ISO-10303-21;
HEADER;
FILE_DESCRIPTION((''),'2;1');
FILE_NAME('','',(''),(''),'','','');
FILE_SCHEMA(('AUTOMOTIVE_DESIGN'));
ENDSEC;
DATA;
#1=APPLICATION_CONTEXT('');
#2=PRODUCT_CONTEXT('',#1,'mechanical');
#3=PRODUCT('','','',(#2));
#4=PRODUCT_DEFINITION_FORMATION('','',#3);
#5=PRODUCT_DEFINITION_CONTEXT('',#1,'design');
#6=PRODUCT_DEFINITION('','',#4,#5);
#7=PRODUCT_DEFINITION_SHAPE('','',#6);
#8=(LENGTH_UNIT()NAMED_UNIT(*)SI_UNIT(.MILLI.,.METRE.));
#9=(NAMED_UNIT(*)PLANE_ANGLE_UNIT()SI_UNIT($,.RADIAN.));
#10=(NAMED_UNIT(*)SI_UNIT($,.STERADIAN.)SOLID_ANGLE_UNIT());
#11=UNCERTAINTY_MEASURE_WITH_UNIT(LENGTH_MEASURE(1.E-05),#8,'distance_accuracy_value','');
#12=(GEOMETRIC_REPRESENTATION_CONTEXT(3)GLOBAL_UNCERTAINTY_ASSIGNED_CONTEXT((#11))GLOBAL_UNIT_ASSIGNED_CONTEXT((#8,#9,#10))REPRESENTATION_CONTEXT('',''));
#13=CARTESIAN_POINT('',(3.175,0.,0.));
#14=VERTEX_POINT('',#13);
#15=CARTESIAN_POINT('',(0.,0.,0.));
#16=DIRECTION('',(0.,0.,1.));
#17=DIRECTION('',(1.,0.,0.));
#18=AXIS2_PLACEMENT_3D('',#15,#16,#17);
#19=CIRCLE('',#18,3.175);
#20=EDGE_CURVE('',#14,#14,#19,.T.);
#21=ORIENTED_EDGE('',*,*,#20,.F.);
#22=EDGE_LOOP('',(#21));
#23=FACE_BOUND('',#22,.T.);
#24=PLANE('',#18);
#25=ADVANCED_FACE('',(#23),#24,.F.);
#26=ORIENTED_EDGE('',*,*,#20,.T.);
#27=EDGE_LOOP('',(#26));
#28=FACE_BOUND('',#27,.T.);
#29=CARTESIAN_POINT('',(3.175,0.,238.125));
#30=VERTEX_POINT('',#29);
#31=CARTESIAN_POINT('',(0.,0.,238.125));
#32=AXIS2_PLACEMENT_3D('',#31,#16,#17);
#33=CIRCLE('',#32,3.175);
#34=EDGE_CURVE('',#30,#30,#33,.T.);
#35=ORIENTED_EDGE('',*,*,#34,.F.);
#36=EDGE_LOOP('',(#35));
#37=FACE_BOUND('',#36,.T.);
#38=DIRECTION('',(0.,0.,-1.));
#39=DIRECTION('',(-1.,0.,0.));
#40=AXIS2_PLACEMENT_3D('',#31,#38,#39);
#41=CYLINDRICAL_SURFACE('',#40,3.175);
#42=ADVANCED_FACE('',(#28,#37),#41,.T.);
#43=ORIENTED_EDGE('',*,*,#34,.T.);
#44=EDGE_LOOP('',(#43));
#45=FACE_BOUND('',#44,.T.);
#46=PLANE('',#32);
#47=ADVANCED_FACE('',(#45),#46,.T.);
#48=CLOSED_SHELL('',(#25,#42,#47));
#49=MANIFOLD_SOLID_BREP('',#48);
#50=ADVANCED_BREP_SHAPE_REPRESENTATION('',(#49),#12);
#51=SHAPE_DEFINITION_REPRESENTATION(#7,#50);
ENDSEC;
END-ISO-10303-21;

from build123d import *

# Parameters (mm, degrees)
SKETCH1_R           = 3.175
BOSS_EXTRUDE1_DEPTH = 238.125


with BuildPart() as part:
    # Sketch1 → Boss-Extrude1 (new body)
    with BuildSketch(Plane.XY):
        Circle(SKETCH1_R)
    extrude(amount=BOSS_EXTRUDE1_DEPTH)


solid = part.part
